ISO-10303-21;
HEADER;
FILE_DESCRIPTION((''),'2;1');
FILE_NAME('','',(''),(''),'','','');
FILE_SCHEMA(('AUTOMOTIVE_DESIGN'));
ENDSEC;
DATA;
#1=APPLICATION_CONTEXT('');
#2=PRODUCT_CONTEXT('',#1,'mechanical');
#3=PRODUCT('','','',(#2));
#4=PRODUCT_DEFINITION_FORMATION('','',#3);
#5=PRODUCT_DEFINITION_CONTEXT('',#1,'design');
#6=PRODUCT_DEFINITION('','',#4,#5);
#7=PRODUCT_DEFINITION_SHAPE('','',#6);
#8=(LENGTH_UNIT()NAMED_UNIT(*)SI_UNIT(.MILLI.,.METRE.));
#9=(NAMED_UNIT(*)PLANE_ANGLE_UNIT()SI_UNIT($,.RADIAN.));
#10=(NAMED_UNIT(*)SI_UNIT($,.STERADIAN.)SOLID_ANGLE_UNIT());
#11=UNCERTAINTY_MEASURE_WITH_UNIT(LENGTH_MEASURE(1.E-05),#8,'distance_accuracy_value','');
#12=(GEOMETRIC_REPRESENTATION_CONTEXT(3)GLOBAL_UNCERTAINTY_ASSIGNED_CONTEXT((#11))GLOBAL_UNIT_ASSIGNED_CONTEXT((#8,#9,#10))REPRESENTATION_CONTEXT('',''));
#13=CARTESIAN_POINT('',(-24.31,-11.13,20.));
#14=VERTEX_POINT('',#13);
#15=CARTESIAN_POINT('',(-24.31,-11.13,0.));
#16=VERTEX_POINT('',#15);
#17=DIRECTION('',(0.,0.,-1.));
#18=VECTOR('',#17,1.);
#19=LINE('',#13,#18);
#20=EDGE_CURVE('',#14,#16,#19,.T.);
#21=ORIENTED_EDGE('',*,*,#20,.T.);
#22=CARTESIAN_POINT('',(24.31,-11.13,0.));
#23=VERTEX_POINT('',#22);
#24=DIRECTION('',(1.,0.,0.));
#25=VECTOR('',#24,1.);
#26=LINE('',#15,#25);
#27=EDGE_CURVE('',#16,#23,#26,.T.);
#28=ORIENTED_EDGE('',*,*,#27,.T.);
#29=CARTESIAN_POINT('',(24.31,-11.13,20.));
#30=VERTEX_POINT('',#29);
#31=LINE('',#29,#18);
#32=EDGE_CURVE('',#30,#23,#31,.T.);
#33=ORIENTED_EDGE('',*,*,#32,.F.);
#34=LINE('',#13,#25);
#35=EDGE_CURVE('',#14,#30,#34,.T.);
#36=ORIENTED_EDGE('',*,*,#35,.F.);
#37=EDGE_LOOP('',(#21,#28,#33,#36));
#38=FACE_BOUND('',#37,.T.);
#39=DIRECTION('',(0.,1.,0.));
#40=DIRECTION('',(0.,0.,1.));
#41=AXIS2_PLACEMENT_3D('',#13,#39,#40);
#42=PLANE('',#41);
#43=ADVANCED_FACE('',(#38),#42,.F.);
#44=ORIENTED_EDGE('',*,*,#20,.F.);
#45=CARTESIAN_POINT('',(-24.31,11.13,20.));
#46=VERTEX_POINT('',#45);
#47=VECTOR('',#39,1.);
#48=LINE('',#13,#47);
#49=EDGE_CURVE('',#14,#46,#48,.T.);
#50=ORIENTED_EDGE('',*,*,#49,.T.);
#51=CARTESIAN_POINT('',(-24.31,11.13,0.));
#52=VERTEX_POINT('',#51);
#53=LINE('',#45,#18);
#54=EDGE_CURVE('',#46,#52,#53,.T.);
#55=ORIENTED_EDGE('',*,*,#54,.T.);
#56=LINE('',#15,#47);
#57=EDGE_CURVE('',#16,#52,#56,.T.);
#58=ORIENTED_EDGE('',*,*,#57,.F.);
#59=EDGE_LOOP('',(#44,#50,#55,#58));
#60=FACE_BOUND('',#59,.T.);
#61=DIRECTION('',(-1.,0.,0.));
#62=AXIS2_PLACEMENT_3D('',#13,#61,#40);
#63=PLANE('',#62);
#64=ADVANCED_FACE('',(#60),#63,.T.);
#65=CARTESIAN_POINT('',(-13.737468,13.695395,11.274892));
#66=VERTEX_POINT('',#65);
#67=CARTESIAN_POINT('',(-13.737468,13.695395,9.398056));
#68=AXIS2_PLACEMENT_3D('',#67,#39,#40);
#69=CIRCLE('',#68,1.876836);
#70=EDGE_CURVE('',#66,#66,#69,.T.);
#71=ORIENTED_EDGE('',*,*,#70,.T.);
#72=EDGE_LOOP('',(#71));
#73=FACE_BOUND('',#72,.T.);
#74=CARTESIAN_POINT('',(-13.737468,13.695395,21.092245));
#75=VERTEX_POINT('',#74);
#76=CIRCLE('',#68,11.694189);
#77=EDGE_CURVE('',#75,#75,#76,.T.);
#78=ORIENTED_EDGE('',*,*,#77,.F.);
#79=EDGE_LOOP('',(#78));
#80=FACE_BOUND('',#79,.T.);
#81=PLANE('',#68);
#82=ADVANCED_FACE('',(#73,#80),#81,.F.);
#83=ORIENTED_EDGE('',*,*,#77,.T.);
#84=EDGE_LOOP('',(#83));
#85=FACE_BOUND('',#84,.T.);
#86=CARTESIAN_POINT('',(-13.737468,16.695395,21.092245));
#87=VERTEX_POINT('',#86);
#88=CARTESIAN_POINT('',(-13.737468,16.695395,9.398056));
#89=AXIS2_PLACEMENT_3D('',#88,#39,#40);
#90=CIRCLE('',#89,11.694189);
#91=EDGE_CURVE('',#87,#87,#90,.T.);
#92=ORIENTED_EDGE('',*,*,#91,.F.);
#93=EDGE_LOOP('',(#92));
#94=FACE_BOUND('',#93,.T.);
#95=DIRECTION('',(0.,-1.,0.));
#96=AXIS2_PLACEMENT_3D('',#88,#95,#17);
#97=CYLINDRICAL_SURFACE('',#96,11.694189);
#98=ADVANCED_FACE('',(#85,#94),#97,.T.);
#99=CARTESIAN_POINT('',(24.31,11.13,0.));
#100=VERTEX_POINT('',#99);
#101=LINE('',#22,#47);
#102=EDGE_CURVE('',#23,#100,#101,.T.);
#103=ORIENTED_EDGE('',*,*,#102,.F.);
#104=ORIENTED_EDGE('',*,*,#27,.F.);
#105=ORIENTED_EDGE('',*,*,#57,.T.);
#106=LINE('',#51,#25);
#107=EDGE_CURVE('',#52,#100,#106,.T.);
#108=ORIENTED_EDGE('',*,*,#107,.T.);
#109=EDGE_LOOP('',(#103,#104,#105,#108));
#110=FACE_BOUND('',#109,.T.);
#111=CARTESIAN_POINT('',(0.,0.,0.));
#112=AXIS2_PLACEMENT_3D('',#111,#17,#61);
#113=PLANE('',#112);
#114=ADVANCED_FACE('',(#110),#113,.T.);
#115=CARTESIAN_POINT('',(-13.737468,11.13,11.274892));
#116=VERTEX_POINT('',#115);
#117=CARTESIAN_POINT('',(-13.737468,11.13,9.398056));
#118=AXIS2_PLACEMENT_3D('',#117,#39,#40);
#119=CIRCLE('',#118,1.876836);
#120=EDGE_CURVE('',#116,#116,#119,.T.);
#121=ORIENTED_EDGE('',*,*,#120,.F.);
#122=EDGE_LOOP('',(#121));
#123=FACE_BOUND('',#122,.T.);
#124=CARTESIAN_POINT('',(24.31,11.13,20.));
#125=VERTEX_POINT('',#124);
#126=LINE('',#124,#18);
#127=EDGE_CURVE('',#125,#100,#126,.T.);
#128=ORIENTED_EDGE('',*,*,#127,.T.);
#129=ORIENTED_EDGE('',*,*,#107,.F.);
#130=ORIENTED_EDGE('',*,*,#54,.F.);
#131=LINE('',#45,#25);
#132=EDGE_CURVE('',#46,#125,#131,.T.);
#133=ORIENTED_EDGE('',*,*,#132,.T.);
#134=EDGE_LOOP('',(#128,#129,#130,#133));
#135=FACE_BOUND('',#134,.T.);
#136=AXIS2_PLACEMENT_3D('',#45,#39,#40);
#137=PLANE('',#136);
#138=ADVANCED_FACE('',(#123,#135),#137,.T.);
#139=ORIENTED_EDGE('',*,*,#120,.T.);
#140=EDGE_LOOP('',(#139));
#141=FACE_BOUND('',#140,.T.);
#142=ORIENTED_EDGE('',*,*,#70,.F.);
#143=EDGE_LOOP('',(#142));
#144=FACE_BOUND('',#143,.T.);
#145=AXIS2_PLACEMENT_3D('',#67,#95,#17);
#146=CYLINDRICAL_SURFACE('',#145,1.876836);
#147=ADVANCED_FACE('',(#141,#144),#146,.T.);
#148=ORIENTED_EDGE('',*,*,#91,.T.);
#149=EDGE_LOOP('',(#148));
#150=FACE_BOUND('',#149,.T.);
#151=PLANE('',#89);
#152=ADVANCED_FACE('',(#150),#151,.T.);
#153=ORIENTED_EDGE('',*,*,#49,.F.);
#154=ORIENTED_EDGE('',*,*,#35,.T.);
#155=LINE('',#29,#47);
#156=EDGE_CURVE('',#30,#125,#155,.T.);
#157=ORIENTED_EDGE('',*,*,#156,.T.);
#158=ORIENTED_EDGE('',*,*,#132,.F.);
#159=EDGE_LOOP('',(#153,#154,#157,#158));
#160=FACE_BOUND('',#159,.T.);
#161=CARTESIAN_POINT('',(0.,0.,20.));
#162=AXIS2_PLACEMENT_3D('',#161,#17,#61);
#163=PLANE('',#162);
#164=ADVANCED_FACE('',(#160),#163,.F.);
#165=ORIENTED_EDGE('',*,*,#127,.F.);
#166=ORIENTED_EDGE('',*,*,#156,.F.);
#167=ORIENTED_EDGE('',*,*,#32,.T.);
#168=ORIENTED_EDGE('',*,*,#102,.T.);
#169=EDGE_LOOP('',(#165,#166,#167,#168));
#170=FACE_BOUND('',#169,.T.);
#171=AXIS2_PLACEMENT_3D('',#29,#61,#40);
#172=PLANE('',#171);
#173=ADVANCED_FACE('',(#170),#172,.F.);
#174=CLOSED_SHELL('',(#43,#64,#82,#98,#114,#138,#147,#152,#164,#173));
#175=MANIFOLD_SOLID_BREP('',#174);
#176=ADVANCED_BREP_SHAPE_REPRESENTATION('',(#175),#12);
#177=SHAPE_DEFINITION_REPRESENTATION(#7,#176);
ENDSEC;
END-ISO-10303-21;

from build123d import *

# Parameters (mm, degrees)
SKETCH1_W           = 48.62
SKETCH1_H           = 22.26
BOSS_EXTRUDE1_DEPTH = 20
SKETCH2_R           = 1.876835713
BOSS_EXTRUDE2_DEPTH = 2.565394694
SKETCH3_R           = 11.694189136
BOSS_EXTRUDE3_DEPTH = 3


with BuildPart() as part:
    # Sketch1 → Boss-Extrude1 (new body)
    with BuildSketch(Plane.XY):
        Rectangle(SKETCH1_W, SKETCH1_H)
    extrude(amount=BOSS_EXTRUDE1_DEPTH)

    # Sketch2 → Boss-Extrude2 (add)
    with BuildSketch(Plane(origin=(0, 11.13, 0), x_dir=(1, 0, 0), z_dir=(0, 1, 0))):
        with Locations((-13.737467658, -9.398056281)):
            Circle(SKETCH2_R)
    extrude(amount=BOSS_EXTRUDE2_DEPTH)

    # Sketch3 → Boss-Extrude3 (add)
    with BuildSketch(Plane(origin=(0, 13.695394694, 0), x_dir=(1, 0, 0), z_dir=(0, 1, 0))):
        with Locations((-13.737467658, -9.398056281)):
            Circle(SKETCH3_R)
    extrude(amount=BOSS_EXTRUDE3_DEPTH)


solid = part.part
